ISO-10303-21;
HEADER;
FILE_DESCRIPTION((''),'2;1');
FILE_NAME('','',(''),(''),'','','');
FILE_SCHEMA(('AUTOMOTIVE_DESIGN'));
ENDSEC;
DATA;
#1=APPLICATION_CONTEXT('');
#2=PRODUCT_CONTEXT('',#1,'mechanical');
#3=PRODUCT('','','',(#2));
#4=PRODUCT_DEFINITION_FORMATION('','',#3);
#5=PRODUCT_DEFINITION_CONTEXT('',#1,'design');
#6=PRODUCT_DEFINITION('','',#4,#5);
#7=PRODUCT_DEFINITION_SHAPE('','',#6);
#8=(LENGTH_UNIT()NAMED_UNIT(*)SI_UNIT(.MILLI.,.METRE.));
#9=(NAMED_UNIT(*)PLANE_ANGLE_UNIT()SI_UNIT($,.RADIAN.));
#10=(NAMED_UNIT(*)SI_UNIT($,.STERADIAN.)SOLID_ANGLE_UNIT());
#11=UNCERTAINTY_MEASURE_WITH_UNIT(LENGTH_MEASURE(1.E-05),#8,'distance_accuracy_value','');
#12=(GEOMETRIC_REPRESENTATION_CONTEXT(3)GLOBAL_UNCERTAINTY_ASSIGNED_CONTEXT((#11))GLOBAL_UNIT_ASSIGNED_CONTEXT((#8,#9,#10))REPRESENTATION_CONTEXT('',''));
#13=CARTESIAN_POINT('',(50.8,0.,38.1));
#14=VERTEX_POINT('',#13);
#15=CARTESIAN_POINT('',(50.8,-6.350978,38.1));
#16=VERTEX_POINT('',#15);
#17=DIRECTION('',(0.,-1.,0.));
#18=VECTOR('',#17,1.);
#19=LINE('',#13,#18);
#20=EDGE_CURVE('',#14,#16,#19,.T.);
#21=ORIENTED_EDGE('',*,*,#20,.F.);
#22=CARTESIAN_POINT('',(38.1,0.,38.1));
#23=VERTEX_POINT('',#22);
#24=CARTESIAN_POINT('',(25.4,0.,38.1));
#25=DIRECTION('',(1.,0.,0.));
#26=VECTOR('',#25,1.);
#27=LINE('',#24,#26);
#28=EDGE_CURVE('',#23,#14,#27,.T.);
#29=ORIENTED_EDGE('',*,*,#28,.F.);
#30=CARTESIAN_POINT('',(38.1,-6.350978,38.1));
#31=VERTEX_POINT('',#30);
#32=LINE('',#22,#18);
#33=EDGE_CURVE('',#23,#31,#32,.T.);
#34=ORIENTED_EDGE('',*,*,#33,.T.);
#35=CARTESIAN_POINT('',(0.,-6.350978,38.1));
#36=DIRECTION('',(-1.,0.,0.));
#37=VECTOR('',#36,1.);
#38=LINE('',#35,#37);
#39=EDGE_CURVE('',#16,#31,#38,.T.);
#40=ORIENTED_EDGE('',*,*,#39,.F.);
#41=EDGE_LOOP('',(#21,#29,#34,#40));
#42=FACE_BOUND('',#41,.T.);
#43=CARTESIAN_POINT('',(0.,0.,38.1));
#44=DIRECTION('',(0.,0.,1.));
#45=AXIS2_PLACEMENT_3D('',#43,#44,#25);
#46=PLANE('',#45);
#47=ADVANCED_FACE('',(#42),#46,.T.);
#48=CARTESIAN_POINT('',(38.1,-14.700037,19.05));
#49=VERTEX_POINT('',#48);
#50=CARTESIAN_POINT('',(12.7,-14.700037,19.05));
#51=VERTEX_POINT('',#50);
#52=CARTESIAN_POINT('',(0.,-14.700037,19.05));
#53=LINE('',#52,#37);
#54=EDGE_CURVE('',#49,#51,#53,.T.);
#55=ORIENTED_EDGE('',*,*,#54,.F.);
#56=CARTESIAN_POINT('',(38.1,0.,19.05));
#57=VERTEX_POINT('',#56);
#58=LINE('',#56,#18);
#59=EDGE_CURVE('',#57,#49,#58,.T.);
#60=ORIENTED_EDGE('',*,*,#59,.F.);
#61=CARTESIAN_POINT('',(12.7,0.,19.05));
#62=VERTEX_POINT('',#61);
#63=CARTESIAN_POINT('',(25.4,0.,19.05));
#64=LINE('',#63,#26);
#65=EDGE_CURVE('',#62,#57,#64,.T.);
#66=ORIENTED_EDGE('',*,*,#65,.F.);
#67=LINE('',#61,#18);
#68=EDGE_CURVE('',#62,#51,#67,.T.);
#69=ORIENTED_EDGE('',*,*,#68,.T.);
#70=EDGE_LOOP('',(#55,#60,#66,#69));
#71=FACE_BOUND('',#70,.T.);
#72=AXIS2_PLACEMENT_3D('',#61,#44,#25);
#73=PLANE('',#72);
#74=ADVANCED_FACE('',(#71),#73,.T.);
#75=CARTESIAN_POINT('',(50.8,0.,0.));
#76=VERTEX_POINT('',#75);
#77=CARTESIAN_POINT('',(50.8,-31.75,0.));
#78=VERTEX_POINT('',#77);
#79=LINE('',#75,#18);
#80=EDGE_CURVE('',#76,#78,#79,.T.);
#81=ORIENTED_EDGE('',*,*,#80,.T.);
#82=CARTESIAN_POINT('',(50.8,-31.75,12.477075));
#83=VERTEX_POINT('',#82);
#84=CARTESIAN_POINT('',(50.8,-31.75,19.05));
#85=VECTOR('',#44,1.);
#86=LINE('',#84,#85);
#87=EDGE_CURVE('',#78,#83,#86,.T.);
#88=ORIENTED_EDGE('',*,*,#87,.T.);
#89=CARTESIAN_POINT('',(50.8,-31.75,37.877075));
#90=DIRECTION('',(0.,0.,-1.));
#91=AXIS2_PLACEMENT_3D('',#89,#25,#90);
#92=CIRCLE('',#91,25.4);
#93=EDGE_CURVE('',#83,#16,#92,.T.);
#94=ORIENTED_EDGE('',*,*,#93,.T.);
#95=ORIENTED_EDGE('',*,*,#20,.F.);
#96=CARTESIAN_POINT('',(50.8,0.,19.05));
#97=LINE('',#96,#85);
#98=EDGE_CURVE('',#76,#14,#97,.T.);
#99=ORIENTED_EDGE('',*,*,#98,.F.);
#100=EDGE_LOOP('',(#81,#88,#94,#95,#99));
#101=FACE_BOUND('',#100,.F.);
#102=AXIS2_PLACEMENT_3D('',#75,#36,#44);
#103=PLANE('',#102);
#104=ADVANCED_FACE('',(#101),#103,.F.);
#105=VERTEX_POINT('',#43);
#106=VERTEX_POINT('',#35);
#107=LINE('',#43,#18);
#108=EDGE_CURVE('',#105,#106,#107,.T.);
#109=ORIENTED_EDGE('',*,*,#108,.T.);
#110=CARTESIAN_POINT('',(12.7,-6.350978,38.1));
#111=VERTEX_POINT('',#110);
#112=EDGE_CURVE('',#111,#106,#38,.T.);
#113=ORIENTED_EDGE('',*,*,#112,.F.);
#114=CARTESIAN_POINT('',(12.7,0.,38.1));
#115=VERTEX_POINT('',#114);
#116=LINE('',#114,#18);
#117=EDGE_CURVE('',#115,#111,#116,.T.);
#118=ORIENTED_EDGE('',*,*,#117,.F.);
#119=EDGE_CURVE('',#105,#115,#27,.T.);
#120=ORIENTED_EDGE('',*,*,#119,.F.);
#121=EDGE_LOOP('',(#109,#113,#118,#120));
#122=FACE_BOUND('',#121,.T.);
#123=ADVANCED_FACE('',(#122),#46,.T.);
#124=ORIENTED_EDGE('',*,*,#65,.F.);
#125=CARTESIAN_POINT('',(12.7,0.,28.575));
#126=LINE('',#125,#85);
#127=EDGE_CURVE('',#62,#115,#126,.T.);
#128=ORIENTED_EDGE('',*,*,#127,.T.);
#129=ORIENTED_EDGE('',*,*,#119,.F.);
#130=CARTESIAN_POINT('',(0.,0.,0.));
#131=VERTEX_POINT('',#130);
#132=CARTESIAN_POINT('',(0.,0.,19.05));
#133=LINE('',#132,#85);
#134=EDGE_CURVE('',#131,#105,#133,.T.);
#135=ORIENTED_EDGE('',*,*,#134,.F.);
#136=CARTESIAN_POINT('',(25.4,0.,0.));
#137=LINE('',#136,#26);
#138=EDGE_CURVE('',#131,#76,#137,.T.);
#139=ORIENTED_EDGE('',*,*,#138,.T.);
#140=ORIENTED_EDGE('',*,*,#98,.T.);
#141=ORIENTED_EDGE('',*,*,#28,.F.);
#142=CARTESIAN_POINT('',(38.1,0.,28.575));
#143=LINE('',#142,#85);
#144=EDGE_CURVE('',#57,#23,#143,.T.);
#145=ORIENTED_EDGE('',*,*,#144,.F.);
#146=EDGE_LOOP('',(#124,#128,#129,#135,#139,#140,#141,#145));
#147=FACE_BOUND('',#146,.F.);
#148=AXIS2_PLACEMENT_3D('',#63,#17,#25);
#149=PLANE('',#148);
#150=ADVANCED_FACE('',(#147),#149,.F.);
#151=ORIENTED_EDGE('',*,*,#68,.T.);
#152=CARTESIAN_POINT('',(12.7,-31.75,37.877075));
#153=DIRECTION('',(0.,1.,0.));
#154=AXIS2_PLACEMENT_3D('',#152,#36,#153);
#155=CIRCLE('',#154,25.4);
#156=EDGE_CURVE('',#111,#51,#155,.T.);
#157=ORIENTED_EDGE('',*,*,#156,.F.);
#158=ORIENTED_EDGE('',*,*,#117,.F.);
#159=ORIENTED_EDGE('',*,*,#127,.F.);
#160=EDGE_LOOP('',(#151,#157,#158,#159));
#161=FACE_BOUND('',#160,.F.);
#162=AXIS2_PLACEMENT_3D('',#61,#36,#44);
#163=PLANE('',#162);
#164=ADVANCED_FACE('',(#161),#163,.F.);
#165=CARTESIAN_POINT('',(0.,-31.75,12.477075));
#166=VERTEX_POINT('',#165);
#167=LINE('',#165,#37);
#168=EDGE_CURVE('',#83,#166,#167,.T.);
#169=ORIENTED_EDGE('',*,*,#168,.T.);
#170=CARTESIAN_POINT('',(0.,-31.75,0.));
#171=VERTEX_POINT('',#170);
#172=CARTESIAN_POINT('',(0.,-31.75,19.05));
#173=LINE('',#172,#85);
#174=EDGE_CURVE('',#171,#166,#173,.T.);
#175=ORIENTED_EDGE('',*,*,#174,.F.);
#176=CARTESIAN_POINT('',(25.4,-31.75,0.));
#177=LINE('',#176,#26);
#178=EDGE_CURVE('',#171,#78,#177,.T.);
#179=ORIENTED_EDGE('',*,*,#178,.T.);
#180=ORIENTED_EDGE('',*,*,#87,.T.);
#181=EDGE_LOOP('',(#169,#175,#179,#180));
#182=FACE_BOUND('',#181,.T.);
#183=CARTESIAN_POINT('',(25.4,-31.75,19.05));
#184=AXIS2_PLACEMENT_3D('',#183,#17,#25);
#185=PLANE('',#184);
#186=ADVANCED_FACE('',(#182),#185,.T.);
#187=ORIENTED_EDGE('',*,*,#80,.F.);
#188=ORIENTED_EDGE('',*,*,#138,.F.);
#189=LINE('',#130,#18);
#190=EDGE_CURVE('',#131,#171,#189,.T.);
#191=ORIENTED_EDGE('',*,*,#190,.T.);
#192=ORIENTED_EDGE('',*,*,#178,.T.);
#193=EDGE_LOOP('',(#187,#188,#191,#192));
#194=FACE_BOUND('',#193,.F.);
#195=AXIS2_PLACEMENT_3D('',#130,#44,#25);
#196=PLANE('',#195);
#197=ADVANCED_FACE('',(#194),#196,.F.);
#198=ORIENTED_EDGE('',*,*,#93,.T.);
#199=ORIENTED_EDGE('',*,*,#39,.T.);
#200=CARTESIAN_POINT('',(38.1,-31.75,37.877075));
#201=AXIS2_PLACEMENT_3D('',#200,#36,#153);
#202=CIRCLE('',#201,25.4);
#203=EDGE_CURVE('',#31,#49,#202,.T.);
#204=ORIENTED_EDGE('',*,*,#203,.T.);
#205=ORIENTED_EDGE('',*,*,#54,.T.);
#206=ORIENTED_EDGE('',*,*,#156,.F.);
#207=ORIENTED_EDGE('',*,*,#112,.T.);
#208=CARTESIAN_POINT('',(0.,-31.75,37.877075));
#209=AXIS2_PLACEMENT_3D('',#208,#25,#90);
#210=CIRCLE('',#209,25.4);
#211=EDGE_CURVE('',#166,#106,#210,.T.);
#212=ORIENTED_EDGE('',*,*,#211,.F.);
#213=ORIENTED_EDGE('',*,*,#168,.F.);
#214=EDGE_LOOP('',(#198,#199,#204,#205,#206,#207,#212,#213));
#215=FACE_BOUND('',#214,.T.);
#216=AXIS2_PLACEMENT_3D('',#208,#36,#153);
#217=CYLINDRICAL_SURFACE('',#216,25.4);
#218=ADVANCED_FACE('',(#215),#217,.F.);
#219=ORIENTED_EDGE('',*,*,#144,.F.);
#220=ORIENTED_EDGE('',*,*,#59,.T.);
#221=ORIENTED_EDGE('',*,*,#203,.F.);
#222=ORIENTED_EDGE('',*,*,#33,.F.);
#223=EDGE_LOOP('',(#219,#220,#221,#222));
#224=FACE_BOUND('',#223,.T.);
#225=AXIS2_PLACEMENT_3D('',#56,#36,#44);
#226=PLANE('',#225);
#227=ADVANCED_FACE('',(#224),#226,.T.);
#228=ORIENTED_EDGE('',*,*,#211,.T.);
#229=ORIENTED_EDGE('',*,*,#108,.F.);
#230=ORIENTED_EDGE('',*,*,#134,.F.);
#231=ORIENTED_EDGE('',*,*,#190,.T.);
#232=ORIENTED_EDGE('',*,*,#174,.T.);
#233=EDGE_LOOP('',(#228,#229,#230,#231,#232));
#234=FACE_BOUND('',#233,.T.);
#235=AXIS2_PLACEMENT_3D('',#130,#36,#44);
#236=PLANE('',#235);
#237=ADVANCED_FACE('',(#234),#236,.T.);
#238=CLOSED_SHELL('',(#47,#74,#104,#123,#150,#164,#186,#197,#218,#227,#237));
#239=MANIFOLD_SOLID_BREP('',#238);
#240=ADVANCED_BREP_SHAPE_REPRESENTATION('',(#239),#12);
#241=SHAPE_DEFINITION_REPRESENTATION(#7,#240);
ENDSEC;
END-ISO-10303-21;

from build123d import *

# Parameters (mm, degrees)
F0_W     = 50.8
F0_H     = 38.1
F1_DEPTH = 31.75
F2_R     = 25.4
F3_DEPTH = 50.801
F4_W     = 25.4
F4_H     = 19.05
F5_DEPTH = 31.751


with BuildPart() as f1:
    # F0 (on Front) → F1 (new body)
    with BuildSketch(Plane.XZ):
        with Locations((25.4, 19.05)):
            Rectangle(F0_W, F0_H)
    extrude(amount=F1_DEPTH)

    # F2 (on Right) → F3 (cut, through all)
    with BuildSketch(Plane.YZ):
        with Locations((-31.75, 37.877075)):
            Circle(F2_R)
    extrude(amount=F3_DEPTH, mode=Mode.SUBTRACT)

    # F4 (on Front) → F5 (cut, through all)
    with BuildSketch(Plane.XZ):
        with Locations((25.4, 28.575)):
            Rectangle(F4_W, F4_H)
    extrude(amount=F5_DEPTH, mode=Mode.SUBTRACT)


solid = f1.part
